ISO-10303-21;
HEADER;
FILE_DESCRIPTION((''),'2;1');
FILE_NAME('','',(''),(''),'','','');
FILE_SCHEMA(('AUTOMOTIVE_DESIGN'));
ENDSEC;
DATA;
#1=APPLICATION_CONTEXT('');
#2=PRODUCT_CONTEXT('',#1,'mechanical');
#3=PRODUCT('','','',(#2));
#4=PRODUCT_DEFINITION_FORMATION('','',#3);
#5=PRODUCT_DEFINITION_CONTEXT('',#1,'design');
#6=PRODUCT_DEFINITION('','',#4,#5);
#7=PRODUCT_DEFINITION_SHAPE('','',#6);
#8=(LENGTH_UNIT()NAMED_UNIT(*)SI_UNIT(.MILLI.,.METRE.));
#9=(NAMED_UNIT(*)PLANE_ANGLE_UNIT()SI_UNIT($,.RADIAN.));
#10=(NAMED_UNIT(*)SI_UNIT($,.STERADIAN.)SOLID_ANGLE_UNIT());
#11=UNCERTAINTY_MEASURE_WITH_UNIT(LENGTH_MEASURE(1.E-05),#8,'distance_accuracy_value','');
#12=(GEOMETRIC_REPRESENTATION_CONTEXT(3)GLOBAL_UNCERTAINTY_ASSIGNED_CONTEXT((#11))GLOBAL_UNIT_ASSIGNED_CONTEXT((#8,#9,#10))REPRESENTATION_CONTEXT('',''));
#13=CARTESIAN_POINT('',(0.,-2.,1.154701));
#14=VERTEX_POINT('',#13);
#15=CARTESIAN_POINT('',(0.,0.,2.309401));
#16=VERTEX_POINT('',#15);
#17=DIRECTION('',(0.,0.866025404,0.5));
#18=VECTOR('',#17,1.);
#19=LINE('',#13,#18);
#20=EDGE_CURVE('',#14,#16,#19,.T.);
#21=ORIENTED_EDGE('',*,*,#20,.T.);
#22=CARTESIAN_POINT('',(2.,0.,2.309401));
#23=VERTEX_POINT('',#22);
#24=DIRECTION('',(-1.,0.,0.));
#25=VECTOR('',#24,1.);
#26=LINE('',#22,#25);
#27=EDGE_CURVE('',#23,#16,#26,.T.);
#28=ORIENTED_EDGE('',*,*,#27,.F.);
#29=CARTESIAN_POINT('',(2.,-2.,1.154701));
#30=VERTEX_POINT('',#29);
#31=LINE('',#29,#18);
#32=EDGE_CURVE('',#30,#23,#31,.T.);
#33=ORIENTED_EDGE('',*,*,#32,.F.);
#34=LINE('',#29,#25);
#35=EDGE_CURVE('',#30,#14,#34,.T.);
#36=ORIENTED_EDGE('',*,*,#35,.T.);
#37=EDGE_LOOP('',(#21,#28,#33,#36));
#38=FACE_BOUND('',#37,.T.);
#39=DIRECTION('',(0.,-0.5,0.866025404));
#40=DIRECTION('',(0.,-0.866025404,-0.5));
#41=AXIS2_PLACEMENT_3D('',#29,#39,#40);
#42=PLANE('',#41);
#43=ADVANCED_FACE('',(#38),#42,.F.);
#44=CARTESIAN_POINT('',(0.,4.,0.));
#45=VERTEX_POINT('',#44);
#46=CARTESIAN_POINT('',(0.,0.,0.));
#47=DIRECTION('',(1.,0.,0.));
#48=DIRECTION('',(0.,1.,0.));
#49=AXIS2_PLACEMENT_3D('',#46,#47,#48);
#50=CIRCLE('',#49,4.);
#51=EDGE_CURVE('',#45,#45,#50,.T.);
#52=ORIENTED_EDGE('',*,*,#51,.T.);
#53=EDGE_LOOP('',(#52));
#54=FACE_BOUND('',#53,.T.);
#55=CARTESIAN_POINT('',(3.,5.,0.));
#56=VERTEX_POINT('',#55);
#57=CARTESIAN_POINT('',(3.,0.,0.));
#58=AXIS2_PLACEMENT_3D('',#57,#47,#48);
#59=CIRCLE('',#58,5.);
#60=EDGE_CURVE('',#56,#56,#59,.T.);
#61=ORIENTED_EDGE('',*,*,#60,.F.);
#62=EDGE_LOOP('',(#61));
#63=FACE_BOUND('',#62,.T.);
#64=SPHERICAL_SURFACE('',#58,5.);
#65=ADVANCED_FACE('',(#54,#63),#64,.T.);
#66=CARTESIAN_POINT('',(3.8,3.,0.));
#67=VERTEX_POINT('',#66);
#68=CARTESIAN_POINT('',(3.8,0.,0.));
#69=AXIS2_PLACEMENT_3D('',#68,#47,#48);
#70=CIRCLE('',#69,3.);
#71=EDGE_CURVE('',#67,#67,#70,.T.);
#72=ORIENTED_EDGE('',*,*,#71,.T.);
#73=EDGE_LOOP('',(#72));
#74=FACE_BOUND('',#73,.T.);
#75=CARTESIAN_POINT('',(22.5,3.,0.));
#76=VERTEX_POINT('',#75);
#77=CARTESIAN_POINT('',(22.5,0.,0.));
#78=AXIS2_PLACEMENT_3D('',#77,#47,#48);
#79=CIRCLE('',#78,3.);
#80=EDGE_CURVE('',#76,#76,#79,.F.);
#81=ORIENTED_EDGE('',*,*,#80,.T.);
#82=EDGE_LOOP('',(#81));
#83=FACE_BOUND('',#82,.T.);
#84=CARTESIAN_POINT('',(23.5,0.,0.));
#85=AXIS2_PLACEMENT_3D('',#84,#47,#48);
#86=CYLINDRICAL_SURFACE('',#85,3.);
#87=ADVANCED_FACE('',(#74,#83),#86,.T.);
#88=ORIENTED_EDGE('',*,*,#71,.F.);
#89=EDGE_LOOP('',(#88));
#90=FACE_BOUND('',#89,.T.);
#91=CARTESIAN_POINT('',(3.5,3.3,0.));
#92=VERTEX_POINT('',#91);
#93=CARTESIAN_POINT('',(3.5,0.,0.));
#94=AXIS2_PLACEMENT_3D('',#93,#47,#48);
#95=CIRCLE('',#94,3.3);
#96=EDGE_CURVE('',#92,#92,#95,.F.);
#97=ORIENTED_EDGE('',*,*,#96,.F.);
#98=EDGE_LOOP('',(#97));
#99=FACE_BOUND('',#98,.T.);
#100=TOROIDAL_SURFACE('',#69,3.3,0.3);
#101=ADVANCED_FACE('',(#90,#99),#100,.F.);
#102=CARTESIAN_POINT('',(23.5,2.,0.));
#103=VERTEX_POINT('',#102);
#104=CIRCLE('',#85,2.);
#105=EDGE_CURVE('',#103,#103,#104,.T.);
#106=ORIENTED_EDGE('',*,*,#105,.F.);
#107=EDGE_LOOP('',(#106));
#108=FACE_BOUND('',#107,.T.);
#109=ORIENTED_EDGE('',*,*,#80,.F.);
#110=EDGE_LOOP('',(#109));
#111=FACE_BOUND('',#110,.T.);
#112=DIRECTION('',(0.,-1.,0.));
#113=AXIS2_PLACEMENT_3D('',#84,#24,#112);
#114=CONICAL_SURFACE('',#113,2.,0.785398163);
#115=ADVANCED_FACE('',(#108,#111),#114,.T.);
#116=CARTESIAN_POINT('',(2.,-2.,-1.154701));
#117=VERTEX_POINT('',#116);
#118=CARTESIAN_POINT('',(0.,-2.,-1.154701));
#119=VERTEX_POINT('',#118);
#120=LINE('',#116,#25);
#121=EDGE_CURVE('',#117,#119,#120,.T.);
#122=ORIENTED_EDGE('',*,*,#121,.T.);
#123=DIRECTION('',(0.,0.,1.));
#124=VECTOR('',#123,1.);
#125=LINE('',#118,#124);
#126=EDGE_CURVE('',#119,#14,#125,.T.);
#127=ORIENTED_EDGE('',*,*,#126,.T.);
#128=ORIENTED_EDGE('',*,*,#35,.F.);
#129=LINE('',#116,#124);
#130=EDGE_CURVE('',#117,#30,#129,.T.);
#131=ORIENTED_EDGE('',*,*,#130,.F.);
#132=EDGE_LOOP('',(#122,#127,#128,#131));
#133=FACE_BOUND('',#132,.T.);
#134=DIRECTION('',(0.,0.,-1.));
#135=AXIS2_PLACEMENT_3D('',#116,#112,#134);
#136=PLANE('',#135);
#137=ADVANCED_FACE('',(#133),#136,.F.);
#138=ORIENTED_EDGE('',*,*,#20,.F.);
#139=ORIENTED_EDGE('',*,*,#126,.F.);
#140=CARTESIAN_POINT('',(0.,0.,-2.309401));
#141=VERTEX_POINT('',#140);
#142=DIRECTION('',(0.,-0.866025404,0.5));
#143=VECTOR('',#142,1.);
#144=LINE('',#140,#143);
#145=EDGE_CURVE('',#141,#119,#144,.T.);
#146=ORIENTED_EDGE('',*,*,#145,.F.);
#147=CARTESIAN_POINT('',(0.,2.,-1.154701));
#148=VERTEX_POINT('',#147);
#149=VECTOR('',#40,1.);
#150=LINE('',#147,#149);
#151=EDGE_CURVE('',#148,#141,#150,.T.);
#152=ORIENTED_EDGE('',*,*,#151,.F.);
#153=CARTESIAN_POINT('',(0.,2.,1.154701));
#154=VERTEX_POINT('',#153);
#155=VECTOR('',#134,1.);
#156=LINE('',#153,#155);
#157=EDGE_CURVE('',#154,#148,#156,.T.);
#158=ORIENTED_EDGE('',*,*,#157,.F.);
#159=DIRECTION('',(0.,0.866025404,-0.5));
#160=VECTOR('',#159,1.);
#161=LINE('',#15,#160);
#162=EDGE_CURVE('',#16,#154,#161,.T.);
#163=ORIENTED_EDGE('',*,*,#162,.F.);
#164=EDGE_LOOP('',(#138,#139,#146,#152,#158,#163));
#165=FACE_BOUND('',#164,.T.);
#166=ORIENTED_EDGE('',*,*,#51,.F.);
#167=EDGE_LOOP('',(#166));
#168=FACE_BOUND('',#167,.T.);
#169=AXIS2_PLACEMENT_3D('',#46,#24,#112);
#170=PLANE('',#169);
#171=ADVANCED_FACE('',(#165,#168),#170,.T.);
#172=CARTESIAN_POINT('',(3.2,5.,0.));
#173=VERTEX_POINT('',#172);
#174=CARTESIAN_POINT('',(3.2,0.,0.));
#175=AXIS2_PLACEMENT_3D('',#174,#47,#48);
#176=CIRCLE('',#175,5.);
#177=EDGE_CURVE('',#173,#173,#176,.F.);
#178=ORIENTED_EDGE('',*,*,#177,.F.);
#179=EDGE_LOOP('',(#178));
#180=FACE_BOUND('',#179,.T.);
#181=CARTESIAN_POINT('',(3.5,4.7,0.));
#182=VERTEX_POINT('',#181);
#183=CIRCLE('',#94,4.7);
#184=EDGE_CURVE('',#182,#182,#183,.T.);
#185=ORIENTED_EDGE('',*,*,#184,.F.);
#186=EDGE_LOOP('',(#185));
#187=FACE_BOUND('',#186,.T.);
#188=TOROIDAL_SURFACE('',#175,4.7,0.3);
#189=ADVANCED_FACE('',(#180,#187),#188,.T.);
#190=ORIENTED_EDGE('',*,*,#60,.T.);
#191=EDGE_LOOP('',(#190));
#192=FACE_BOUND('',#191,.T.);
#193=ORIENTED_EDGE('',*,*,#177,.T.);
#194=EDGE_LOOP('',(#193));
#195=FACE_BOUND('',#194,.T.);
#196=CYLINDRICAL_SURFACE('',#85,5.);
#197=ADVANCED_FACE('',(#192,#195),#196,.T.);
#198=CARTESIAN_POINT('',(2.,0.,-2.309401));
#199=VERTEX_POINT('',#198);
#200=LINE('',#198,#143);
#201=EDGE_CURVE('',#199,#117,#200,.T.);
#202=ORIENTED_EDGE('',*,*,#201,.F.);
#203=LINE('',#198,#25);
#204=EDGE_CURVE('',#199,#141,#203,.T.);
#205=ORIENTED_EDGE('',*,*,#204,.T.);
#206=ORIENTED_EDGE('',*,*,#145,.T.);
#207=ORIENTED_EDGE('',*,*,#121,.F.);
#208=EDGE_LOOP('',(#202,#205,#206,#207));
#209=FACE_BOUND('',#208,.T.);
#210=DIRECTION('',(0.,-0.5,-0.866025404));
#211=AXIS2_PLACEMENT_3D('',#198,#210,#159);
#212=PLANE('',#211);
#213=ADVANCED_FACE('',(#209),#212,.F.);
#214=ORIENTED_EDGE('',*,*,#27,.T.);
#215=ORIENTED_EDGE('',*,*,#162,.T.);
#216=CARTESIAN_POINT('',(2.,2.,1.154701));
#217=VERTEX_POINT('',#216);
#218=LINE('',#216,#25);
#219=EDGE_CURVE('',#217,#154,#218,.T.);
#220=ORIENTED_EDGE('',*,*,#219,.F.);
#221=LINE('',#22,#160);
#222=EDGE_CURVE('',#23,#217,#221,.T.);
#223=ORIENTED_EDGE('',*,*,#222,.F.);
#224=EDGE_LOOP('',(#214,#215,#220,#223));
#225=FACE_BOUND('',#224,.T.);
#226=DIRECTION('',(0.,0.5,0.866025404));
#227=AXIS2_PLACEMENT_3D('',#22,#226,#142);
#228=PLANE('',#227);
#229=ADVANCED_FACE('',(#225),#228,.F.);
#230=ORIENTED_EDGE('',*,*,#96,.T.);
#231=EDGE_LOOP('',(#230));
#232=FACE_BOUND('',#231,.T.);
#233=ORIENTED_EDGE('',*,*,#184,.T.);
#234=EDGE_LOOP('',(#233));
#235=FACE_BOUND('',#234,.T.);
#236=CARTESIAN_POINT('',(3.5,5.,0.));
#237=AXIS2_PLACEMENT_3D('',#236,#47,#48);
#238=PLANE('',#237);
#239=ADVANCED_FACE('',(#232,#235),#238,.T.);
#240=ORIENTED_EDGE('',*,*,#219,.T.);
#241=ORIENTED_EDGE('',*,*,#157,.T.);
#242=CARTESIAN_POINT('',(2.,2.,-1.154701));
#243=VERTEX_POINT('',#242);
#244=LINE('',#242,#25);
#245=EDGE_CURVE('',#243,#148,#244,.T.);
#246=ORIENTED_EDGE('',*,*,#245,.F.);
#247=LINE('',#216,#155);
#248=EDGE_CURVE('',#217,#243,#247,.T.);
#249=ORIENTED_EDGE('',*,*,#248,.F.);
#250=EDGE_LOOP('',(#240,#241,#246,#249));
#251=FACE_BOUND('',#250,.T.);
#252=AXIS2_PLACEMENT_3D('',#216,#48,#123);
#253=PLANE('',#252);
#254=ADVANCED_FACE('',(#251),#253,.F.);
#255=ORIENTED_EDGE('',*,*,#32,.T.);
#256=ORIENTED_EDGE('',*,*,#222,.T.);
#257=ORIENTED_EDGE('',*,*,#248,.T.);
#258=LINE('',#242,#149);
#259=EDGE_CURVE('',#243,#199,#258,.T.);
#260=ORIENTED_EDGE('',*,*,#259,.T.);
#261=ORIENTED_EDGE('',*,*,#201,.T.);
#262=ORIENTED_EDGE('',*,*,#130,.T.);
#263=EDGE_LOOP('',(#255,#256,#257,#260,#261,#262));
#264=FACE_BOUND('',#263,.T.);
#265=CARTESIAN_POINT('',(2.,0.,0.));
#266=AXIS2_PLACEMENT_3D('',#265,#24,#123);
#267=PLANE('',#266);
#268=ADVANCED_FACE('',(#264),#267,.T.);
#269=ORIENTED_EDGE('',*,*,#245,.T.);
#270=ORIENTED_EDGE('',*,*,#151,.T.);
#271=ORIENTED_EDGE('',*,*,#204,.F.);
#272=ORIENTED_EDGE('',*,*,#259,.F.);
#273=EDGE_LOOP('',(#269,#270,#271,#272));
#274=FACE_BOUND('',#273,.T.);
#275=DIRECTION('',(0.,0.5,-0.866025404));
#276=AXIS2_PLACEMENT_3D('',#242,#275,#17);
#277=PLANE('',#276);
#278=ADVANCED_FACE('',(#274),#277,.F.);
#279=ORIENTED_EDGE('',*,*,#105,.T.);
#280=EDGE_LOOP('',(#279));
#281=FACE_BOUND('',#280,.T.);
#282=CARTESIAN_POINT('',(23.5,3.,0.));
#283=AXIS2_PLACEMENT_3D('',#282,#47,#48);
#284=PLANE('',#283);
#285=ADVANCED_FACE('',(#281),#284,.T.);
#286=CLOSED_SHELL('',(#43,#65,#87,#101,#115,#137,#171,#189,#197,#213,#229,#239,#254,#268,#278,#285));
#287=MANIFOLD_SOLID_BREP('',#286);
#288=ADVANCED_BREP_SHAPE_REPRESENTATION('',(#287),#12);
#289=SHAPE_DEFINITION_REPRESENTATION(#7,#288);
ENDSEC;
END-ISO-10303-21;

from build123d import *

# Parameters (mm, degrees)
CUT_EXTRUDE_1_DEPTH = 2
FILLET_1_R          = 0.3
CHAMFER_1_SIZE      = 1


with BuildPart() as part:
    # Эскиз1 → Повернуть1 (revolve)
    with BuildSketch(Plane.XY):
        with BuildLine():
            Line((0, 0), (0, 4))
            ThreePointArc((0, 4), (1.41886117, 4.74341649), (3, 5))
            Line((3, 5), (3.5, 5))
            Line((3.5, 5), (3.5, 3))
            Line((3.5, 3), (23.5, 3))
            Line((23.5, 3), (23.5, 0))
            Line((23.5, 0), (0, 0))
        make_face()
    revolve(axis=Axis((23.5, 0, 0), (-1, 0, 0)))

    # Эскиз2 → Вырез-Вытянуть1 (cut)
    with BuildSketch(Plane.ZY):
        Polygon((1.154700538, 2), (-1.154700538, 2), (-2.309401077, 0), (-1.154700538, -2), (1.154700538, -2), (2.309401077, 0), align=None)
    extrude(amount=-CUT_EXTRUDE_1_DEPTH, mode=Mode.SUBTRACT)

    # Скругление1
    fillet_1_edges = [part.edges().sort_by_distance(p)[0] for p in [
        (3.5, -3, 0),
        (3.5, -5, 0),
    ]]
    fillet(fillet_1_edges, radius=FILLET_1_R)

    # Фаска1
    chamfer_1_edges = [part.edges().sort_by_distance(p)[0] for p in [
        (23.5, -3, 0),
    ]]
    chamfer(chamfer_1_edges, length=CHAMFER_1_SIZE)


solid = part.part
